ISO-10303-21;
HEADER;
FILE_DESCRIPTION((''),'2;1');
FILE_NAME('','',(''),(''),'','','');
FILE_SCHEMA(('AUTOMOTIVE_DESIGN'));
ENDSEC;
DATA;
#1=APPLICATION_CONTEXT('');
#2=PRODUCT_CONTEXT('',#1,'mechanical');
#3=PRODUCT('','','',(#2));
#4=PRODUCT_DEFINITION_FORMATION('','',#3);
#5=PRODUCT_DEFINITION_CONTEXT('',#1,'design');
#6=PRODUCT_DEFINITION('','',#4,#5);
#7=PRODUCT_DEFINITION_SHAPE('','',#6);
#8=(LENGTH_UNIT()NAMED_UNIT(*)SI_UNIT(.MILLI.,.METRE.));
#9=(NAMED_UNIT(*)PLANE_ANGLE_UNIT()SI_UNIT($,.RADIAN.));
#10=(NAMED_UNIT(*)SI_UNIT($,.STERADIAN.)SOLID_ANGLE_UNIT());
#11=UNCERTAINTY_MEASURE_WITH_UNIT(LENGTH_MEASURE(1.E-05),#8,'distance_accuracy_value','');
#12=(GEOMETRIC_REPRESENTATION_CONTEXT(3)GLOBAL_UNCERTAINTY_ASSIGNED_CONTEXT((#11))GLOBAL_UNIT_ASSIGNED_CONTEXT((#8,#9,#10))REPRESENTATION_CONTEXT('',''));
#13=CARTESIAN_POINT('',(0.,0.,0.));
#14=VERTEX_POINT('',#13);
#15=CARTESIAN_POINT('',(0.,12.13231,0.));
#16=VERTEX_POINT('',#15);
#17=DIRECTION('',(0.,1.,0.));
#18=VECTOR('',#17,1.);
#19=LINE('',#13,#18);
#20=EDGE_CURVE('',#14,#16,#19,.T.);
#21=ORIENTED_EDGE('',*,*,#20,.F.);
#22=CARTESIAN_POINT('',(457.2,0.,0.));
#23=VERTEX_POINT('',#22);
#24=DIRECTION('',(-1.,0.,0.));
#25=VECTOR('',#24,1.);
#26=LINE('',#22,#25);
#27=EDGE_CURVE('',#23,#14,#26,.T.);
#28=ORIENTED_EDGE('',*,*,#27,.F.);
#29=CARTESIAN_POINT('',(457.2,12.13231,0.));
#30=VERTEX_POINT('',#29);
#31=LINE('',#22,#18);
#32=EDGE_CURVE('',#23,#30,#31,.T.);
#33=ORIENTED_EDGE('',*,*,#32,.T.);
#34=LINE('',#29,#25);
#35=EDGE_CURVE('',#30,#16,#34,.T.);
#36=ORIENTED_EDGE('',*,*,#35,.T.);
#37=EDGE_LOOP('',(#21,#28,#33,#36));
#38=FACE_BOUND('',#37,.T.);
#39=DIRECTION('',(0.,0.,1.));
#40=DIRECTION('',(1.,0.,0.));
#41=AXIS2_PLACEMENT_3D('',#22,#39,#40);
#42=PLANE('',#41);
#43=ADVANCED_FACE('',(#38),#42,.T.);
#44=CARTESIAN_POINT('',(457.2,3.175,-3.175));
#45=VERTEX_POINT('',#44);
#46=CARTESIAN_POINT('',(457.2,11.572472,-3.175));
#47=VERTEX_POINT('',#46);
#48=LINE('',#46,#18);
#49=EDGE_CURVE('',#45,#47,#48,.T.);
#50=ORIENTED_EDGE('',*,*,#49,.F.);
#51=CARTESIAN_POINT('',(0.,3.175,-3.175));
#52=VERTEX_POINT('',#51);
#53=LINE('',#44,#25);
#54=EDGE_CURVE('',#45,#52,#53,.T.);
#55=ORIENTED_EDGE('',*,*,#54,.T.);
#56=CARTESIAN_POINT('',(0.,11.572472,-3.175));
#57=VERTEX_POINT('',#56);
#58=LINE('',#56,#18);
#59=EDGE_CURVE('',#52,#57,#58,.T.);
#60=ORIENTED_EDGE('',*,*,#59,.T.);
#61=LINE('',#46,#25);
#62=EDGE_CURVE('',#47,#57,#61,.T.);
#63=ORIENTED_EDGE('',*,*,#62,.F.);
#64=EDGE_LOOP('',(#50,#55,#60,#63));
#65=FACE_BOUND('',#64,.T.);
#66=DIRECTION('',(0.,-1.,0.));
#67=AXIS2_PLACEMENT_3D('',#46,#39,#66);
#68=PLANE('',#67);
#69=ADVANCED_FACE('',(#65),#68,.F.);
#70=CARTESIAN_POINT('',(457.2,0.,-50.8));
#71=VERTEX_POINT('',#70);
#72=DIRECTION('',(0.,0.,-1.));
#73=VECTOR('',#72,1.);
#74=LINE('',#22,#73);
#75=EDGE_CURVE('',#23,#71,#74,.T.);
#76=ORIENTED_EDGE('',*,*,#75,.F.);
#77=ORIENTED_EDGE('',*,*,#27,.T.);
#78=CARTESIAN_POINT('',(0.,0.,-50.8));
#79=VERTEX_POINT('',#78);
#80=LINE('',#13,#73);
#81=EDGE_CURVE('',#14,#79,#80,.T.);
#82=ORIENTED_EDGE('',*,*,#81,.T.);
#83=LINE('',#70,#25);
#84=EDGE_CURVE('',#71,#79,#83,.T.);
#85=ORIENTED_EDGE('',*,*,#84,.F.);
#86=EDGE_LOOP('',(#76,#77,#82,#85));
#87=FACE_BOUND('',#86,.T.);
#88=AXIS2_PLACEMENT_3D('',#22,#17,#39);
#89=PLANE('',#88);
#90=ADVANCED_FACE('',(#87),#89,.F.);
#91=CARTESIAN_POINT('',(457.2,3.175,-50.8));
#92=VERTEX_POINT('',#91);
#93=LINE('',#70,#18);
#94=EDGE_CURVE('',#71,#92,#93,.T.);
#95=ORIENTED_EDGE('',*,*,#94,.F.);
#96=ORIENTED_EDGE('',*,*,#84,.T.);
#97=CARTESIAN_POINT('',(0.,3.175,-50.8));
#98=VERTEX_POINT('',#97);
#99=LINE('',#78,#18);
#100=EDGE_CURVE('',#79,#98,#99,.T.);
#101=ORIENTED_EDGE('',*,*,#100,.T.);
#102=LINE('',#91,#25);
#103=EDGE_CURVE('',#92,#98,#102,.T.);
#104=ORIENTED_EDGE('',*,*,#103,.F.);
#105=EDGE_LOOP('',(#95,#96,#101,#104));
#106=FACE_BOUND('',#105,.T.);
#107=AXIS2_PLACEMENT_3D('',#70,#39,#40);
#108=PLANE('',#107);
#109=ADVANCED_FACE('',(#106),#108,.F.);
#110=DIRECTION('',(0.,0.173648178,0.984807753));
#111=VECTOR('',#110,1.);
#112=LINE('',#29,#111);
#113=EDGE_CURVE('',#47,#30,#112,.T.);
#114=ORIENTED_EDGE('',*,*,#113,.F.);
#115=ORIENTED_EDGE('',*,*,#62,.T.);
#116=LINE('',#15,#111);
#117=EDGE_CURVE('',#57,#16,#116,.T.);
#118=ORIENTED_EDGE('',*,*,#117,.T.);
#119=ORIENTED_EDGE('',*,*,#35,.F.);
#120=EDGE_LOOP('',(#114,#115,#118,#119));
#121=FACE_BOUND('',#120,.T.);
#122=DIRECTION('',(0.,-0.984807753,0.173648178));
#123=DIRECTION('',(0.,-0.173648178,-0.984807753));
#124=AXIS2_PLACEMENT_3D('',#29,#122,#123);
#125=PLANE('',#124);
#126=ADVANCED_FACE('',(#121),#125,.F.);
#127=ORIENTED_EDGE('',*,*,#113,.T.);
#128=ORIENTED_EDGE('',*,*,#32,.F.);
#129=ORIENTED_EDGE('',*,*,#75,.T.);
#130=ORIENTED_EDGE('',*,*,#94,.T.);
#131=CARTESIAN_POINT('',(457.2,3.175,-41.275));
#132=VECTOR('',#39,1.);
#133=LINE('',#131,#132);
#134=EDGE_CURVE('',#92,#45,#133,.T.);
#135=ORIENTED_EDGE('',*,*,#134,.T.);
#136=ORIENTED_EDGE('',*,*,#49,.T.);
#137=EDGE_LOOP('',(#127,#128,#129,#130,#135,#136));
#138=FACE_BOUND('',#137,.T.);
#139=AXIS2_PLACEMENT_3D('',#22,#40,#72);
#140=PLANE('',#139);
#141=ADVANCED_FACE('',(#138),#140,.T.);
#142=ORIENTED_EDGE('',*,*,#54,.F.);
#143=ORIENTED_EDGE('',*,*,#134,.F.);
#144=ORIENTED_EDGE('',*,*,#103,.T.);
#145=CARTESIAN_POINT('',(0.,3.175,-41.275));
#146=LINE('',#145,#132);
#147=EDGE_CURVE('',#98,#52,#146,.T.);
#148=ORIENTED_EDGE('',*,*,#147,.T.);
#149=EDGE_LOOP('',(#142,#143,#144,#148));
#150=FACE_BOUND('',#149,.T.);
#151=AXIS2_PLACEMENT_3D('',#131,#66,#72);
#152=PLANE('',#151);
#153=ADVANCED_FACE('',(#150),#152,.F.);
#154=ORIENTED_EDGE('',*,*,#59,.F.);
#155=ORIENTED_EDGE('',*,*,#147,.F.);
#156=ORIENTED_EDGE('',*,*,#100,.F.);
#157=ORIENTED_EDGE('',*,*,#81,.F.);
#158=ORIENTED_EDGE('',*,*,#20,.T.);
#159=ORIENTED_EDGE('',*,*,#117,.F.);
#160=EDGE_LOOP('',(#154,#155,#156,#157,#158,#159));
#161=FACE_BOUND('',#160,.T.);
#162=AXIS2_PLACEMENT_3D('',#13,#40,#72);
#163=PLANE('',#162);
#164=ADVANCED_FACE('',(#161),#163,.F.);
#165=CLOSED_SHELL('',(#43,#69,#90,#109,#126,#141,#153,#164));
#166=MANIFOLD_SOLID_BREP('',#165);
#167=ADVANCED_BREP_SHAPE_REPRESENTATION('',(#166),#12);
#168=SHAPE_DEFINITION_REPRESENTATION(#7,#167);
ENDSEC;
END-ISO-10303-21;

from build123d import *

# Parameters (mm, degrees)
SKETCH1_W           = 50.8
SKETCH1_H           = 12.13231
BOSS_EXTRUDE1_DEPTH = 457.2
CUT_EXTRUDE1_DEPTH  = 457.2


with BuildPart() as part:
    # Sketch1 → Boss-Extrude1 (new body)
    with BuildSketch(Plane(origin=(0, 0, 0), x_dir=(0, 0, -1), z_dir=(1, 0, 0))):
        with Locations((25.4, 6.066155)):
            Rectangle(SKETCH1_W, SKETCH1_H)
    extrude(amount=BOSS_EXTRUDE1_DEPTH)

    # Sketch2 → Cut-Extrude1 (cut)
    with BuildSketch(Plane.ZY):
        Polygon((-41.275, 12.13231), (-3.175, 12.13231), (0, 12.13231), (-3.175, 11.572471836), (-3.175, 3.175), (-41.275, 3.175), (-50.8, 3.175), (-50.8, 12.13231), align=None)
    extrude(amount=-CUT_EXTRUDE1_DEPTH, mode=Mode.SUBTRACT)


solid = part.part
